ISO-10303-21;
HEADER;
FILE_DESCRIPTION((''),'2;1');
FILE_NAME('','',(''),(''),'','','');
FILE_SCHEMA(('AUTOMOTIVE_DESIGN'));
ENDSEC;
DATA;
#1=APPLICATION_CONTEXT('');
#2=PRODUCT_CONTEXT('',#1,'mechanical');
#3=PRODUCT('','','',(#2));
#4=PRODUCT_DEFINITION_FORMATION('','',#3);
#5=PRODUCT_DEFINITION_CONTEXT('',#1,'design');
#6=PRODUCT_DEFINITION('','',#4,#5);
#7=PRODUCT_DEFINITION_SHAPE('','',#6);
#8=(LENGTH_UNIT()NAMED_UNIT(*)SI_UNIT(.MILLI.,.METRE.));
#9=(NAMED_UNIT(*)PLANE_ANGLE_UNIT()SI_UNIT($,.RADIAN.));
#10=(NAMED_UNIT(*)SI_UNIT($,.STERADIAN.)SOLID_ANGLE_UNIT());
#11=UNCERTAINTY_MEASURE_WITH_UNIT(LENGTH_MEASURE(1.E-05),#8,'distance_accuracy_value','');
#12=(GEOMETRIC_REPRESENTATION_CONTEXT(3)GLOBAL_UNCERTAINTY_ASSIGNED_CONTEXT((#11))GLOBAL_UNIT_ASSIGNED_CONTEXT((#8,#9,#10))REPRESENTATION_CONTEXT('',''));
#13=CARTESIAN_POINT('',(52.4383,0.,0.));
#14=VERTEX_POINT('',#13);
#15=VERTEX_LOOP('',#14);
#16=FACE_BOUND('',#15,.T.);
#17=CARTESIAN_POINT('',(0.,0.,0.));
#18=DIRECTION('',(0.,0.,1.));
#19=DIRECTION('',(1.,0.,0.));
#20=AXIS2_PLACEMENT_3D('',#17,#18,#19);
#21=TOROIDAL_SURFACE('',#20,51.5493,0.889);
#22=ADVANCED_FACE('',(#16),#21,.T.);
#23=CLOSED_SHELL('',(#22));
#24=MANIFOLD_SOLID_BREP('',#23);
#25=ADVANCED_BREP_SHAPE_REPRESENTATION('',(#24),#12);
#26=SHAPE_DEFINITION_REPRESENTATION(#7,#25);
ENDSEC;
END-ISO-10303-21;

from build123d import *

# Parameters (mm, degrees)
SKETCH1_R = 0.889


with BuildPart() as part:
    # Sketch1 → Revolve1 (revolve)
    with BuildSketch(Plane(origin=(0, 0, 0), x_dir=(0, -1, 0), z_dir=(1, 0, 0))):
        with Locations((51.5493, 0)):
            Circle(SKETCH1_R)
    revolve(axis=Axis((0, 0, 0.889), (0, 0, -1)))


solid = part.part
